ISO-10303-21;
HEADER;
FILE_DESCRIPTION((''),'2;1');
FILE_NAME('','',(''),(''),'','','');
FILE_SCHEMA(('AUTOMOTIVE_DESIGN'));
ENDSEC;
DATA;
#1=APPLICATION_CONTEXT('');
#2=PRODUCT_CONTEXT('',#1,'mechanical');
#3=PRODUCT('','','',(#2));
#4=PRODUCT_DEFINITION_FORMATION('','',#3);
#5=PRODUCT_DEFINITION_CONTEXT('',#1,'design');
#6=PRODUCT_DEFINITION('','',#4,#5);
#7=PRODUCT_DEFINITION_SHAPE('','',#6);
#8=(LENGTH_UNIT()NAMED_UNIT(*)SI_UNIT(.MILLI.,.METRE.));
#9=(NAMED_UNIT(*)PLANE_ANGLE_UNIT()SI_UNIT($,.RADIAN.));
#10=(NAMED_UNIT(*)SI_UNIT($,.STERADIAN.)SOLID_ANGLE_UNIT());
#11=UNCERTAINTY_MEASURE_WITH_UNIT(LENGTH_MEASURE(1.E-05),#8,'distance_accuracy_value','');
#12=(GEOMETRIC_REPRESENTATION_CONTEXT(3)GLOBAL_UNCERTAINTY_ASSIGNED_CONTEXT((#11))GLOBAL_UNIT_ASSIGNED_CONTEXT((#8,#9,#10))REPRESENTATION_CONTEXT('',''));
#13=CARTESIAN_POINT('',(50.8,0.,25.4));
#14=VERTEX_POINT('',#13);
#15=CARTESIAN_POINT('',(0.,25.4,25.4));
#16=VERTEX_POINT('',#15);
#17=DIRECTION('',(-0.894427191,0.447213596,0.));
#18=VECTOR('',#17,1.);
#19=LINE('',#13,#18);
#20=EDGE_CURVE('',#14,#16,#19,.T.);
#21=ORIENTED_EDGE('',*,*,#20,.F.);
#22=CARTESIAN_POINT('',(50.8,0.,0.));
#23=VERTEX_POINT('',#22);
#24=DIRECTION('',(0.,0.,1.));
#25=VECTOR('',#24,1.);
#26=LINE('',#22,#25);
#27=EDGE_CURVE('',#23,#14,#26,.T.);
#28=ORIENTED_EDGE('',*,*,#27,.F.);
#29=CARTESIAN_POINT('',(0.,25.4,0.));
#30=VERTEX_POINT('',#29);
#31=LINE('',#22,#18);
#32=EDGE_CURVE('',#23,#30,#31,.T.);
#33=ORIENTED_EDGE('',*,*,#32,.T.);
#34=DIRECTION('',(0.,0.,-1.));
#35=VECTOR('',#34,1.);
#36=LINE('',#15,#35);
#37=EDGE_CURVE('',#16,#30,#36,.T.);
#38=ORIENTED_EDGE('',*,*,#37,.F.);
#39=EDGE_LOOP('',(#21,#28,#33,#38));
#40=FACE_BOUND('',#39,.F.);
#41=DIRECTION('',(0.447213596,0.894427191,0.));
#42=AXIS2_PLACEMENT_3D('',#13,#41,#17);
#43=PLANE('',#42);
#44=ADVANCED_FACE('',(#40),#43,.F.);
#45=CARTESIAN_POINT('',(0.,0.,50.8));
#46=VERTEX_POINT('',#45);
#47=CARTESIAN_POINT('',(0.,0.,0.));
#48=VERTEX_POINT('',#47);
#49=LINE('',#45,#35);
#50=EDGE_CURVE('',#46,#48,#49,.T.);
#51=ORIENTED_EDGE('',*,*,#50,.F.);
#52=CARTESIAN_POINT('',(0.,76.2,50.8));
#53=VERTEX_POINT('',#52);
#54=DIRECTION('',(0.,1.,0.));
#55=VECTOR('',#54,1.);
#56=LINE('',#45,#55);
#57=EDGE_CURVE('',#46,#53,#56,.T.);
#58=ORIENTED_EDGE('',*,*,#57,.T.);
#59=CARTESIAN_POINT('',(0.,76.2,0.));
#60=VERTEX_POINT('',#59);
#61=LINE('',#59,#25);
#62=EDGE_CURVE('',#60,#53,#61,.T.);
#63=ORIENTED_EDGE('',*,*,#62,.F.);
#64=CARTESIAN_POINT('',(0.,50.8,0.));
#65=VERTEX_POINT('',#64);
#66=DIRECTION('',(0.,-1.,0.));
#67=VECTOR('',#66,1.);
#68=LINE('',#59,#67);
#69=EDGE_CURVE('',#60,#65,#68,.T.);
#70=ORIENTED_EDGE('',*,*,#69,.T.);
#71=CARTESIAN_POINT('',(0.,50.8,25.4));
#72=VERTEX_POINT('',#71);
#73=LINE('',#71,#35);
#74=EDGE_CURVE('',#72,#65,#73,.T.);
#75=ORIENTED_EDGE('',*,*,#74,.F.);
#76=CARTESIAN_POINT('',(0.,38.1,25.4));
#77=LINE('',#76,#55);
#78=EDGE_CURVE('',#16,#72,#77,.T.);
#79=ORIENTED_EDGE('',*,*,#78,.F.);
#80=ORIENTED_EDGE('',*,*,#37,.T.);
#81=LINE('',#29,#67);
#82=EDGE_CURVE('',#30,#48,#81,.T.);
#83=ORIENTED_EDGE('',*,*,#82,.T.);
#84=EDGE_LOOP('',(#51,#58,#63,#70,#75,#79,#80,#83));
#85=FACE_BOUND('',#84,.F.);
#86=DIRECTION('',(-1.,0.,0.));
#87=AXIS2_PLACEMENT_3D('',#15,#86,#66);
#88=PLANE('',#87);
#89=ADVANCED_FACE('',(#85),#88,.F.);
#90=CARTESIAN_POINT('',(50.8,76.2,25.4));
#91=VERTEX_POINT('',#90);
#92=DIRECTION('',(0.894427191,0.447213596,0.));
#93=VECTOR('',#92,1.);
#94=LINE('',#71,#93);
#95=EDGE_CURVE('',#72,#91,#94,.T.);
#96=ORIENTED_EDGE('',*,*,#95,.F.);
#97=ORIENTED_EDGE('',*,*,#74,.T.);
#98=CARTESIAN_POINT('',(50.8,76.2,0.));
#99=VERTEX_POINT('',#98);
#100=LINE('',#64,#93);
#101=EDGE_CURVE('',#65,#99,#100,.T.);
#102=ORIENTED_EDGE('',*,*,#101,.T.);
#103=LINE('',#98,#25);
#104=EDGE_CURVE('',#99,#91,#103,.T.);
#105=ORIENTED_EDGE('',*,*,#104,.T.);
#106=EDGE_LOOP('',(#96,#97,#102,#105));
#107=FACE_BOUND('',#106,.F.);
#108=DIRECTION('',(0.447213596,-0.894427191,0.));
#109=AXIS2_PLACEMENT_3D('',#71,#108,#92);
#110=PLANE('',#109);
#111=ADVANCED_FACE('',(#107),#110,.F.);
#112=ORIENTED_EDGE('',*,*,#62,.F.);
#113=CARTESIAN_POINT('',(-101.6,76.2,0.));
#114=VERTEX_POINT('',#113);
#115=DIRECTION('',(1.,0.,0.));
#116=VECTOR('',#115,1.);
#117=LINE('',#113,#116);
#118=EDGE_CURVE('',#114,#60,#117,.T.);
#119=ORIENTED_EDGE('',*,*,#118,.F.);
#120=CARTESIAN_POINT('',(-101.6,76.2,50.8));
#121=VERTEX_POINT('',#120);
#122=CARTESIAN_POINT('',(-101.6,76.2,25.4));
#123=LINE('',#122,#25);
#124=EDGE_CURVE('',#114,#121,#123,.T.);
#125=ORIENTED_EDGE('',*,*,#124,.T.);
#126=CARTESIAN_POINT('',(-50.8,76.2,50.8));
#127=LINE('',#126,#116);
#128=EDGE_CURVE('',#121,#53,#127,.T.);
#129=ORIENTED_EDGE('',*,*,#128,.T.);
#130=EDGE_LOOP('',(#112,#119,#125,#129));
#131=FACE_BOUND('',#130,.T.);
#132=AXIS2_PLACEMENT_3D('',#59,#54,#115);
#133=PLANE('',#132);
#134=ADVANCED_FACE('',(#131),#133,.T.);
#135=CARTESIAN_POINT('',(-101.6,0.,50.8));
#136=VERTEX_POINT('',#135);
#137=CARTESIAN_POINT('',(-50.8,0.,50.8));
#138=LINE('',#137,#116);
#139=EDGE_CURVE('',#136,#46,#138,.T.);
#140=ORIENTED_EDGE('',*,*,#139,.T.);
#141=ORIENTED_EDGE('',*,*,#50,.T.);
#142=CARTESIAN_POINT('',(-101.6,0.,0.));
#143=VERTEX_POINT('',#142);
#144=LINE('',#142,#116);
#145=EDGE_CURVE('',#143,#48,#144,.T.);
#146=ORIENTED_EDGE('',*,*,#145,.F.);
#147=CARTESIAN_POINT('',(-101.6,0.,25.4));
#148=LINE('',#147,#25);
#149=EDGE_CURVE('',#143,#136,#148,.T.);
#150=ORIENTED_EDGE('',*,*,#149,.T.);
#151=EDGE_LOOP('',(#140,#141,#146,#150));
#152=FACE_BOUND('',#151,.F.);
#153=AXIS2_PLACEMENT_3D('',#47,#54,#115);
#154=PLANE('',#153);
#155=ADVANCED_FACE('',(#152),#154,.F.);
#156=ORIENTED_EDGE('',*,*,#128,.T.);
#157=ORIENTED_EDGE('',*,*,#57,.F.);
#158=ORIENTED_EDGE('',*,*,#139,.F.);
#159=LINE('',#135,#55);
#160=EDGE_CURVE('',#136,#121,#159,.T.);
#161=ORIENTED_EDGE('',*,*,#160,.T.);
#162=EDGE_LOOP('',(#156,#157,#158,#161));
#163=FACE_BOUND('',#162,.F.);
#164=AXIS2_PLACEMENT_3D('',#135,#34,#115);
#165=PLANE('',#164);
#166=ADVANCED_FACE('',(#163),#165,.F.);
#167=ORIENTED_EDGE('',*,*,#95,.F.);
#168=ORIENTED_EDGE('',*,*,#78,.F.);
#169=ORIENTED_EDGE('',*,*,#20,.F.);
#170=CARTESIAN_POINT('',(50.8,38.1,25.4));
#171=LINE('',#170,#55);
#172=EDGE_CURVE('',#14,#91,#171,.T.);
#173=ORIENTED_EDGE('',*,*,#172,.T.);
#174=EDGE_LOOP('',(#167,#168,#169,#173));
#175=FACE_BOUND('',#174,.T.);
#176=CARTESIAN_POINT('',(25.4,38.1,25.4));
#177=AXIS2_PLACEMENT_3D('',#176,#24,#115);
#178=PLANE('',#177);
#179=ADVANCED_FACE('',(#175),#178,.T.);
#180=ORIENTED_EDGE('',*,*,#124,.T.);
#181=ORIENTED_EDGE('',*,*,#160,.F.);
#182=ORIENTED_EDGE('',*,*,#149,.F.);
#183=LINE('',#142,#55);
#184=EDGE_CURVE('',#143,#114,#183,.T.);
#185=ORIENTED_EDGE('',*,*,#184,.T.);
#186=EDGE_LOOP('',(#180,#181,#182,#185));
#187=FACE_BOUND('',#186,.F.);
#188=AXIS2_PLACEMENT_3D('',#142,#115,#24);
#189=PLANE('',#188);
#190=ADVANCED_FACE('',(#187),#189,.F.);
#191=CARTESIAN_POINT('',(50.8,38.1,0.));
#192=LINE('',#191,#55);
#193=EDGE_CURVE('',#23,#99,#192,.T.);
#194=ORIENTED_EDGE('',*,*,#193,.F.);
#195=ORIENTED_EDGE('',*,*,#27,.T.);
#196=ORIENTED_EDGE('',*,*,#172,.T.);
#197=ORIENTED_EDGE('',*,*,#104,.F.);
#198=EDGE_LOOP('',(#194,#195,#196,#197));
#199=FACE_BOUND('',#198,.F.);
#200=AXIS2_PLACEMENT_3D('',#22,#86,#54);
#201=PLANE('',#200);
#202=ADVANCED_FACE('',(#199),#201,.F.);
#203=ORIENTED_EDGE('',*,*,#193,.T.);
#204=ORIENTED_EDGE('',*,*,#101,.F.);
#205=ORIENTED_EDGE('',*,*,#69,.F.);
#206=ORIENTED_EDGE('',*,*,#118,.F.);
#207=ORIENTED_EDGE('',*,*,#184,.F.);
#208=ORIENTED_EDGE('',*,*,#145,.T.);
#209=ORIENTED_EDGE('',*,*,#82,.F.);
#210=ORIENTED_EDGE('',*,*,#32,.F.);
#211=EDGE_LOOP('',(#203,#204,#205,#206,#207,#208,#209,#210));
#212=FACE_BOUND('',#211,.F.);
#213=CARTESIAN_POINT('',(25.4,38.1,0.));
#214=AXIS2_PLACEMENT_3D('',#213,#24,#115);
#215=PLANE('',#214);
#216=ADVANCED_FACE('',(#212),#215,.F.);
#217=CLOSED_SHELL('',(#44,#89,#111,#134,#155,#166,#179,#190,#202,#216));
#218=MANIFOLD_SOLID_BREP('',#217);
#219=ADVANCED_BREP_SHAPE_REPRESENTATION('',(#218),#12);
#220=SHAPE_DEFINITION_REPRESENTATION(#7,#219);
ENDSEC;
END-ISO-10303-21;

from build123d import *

# Parameters (mm, degrees)
F0_W     = 101.6
F0_H     = 50.8
F1_DEPTH = 76.2
F2_W     = 50.8
F2_H     = 76.2
F3_DEPTH = 25.4
F5_DEPTH = 25.4


with BuildPart() as f1:
    # F0 (on Front) → F1 (new body)
    with BuildSketch(Plane.XZ):
        with Locations((-50.8, 25.4)):
            Rectangle(F0_W, F0_H)
    extrude(amount=-F1_DEPTH)

    # F2 (on Top) → F3 (join)
    with BuildSketch(Plane.XY):
        with Locations((25.4, 38.1)):
            Rectangle(F2_W, F2_H)
    extrude(amount=F3_DEPTH)

    # F4 (on face) → F5 (cut, through all)
    with BuildSketch(Plane.XY.offset(25.4)):
        Polygon((0, 25.4), (0, 0), (50.8, 0), align=None)
        Polygon((0, 50.8), (50.8, 76.2), (0, 76.2), align=None)
    extrude(amount=-F5_DEPTH, mode=Mode.SUBTRACT)


solid = f1.part
